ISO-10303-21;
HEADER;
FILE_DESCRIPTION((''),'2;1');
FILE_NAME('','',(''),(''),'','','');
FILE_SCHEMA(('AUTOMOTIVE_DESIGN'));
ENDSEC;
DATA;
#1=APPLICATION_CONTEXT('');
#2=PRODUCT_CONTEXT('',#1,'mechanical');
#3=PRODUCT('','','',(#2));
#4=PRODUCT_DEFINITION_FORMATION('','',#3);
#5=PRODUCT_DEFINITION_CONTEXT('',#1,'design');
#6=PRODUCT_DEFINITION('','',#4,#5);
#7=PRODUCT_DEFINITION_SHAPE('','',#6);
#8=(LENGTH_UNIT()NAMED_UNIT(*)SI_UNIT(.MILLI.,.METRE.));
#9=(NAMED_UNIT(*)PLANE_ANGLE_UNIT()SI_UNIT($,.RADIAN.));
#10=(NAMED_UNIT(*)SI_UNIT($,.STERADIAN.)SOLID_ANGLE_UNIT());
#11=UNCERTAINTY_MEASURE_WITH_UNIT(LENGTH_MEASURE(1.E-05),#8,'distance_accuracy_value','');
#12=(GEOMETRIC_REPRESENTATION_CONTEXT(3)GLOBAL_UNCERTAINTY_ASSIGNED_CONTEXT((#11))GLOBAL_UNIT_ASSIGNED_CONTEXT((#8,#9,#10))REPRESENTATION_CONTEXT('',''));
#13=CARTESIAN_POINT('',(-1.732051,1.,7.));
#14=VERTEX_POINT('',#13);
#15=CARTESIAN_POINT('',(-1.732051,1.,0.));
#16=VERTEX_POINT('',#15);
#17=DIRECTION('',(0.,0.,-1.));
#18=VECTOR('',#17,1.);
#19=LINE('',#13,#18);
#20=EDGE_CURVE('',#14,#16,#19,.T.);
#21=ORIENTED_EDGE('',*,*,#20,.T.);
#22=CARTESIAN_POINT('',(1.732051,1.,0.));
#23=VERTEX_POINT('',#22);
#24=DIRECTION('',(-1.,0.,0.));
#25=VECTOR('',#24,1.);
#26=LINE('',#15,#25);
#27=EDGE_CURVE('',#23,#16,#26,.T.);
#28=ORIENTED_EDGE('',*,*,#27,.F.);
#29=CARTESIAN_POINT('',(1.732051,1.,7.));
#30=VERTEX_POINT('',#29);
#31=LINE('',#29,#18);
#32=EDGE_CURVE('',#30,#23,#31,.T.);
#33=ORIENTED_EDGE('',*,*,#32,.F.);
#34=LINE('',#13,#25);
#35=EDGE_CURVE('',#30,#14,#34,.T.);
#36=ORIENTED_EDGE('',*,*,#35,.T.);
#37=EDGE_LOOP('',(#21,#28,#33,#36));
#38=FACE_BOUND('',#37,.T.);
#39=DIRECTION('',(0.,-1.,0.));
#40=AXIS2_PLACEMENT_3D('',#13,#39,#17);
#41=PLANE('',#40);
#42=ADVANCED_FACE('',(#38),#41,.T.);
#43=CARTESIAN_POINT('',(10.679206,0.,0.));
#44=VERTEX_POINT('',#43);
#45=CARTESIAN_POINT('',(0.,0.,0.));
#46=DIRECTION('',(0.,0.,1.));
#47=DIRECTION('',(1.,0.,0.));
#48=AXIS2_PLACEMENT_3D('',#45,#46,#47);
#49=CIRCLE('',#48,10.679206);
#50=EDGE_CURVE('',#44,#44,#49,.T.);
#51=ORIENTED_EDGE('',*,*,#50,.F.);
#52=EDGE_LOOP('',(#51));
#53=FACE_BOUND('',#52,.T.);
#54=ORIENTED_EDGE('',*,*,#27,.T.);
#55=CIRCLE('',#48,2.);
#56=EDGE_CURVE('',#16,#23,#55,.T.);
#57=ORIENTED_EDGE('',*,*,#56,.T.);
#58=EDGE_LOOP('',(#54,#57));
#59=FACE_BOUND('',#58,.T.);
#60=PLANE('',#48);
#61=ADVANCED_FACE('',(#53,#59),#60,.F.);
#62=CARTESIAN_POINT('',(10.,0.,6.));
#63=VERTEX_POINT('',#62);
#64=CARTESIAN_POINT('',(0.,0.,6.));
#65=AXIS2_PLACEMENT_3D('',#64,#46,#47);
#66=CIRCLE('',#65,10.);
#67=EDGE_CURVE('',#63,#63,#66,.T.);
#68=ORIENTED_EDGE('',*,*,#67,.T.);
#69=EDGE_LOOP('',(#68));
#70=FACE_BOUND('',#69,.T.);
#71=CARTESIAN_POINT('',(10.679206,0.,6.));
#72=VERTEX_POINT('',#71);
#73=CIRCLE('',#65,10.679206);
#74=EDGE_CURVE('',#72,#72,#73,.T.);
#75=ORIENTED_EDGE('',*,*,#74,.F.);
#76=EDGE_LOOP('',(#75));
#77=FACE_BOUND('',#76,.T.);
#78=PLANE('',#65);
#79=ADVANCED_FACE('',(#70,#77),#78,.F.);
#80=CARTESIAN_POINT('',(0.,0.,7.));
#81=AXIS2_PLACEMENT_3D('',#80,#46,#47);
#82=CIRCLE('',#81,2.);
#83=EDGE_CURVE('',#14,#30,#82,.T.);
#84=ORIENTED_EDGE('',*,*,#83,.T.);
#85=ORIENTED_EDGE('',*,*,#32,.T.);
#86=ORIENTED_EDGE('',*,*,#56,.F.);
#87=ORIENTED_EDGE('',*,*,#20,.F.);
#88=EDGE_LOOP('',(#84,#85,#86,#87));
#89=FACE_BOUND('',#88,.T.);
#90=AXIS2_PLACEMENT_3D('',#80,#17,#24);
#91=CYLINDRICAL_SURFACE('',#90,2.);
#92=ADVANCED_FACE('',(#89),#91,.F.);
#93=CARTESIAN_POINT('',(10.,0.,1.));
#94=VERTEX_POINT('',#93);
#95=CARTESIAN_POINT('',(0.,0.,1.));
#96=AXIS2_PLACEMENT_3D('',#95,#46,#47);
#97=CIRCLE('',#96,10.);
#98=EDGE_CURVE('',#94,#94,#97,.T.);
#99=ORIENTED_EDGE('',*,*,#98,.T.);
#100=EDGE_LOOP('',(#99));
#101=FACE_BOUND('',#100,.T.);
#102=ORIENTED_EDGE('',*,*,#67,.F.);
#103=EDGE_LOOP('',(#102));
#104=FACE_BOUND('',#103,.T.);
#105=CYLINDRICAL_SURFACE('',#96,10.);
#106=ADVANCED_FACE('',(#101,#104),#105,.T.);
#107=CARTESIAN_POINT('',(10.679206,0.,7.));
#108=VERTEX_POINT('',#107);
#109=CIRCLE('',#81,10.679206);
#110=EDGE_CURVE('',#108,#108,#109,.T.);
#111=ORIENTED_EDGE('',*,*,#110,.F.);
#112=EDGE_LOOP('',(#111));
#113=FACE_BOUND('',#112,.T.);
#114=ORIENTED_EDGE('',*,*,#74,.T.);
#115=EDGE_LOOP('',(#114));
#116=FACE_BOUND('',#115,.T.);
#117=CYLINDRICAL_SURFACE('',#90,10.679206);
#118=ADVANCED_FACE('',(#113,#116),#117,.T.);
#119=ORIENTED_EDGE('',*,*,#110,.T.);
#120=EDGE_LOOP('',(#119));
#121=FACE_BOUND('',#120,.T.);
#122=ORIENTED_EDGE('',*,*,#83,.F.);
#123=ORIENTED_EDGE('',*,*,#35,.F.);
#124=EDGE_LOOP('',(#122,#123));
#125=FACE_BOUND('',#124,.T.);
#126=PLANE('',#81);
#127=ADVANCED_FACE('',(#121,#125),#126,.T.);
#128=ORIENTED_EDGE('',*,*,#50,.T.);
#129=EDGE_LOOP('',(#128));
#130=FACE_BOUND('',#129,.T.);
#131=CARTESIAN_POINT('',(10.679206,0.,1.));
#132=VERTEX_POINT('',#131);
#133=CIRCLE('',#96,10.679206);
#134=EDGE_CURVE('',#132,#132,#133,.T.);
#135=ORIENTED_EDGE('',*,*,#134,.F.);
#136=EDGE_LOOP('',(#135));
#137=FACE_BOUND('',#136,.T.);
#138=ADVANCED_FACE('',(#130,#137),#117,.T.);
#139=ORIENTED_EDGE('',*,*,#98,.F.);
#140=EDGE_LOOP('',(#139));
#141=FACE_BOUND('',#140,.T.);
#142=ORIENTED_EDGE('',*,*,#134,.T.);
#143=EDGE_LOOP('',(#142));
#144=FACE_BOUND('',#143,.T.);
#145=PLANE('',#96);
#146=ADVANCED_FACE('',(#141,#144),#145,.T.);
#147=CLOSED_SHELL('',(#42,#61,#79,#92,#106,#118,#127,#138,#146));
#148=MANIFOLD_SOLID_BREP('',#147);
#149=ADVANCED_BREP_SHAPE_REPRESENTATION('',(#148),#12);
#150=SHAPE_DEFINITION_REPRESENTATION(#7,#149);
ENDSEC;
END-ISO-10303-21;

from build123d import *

# Parameters (mm, degrees)
SKETCH1_R           = 10.679205769
BOSS_EXTRUDE1_DEPTH = 7
CUT_EXTRUDE1_START  = -5
SKETCH2_R           = 10.679205769
SKETCH2_R_2         = 10
CUT_EXTRUDE1_DEPTH  = 5


with BuildPart() as part:
    # Sketch1 → Boss-Extrude1 (new body)
    with BuildSketch(Plane.XY):
        Circle(SKETCH1_R)
        with BuildLine():
            Line((-1.732050808, 1), (1.732050808, 1))
            ThreePointArc((1.732050808, 1), (0, -2), (-1.732050808, 1))
        make_face(mode=Mode.SUBTRACT)
    extrude(amount=BOSS_EXTRUDE1_DEPTH)

    # Sketch2 → Cut-Extrude1 (cut)
    with BuildSketch(Plane.XY.offset(6).offset(CUT_EXTRUDE1_START)):
        Circle(SKETCH2_R)
        Circle(SKETCH2_R_2, mode=Mode.SUBTRACT)
    extrude(amount=CUT_EXTRUDE1_DEPTH, mode=Mode.SUBTRACT)


solid = part.part
